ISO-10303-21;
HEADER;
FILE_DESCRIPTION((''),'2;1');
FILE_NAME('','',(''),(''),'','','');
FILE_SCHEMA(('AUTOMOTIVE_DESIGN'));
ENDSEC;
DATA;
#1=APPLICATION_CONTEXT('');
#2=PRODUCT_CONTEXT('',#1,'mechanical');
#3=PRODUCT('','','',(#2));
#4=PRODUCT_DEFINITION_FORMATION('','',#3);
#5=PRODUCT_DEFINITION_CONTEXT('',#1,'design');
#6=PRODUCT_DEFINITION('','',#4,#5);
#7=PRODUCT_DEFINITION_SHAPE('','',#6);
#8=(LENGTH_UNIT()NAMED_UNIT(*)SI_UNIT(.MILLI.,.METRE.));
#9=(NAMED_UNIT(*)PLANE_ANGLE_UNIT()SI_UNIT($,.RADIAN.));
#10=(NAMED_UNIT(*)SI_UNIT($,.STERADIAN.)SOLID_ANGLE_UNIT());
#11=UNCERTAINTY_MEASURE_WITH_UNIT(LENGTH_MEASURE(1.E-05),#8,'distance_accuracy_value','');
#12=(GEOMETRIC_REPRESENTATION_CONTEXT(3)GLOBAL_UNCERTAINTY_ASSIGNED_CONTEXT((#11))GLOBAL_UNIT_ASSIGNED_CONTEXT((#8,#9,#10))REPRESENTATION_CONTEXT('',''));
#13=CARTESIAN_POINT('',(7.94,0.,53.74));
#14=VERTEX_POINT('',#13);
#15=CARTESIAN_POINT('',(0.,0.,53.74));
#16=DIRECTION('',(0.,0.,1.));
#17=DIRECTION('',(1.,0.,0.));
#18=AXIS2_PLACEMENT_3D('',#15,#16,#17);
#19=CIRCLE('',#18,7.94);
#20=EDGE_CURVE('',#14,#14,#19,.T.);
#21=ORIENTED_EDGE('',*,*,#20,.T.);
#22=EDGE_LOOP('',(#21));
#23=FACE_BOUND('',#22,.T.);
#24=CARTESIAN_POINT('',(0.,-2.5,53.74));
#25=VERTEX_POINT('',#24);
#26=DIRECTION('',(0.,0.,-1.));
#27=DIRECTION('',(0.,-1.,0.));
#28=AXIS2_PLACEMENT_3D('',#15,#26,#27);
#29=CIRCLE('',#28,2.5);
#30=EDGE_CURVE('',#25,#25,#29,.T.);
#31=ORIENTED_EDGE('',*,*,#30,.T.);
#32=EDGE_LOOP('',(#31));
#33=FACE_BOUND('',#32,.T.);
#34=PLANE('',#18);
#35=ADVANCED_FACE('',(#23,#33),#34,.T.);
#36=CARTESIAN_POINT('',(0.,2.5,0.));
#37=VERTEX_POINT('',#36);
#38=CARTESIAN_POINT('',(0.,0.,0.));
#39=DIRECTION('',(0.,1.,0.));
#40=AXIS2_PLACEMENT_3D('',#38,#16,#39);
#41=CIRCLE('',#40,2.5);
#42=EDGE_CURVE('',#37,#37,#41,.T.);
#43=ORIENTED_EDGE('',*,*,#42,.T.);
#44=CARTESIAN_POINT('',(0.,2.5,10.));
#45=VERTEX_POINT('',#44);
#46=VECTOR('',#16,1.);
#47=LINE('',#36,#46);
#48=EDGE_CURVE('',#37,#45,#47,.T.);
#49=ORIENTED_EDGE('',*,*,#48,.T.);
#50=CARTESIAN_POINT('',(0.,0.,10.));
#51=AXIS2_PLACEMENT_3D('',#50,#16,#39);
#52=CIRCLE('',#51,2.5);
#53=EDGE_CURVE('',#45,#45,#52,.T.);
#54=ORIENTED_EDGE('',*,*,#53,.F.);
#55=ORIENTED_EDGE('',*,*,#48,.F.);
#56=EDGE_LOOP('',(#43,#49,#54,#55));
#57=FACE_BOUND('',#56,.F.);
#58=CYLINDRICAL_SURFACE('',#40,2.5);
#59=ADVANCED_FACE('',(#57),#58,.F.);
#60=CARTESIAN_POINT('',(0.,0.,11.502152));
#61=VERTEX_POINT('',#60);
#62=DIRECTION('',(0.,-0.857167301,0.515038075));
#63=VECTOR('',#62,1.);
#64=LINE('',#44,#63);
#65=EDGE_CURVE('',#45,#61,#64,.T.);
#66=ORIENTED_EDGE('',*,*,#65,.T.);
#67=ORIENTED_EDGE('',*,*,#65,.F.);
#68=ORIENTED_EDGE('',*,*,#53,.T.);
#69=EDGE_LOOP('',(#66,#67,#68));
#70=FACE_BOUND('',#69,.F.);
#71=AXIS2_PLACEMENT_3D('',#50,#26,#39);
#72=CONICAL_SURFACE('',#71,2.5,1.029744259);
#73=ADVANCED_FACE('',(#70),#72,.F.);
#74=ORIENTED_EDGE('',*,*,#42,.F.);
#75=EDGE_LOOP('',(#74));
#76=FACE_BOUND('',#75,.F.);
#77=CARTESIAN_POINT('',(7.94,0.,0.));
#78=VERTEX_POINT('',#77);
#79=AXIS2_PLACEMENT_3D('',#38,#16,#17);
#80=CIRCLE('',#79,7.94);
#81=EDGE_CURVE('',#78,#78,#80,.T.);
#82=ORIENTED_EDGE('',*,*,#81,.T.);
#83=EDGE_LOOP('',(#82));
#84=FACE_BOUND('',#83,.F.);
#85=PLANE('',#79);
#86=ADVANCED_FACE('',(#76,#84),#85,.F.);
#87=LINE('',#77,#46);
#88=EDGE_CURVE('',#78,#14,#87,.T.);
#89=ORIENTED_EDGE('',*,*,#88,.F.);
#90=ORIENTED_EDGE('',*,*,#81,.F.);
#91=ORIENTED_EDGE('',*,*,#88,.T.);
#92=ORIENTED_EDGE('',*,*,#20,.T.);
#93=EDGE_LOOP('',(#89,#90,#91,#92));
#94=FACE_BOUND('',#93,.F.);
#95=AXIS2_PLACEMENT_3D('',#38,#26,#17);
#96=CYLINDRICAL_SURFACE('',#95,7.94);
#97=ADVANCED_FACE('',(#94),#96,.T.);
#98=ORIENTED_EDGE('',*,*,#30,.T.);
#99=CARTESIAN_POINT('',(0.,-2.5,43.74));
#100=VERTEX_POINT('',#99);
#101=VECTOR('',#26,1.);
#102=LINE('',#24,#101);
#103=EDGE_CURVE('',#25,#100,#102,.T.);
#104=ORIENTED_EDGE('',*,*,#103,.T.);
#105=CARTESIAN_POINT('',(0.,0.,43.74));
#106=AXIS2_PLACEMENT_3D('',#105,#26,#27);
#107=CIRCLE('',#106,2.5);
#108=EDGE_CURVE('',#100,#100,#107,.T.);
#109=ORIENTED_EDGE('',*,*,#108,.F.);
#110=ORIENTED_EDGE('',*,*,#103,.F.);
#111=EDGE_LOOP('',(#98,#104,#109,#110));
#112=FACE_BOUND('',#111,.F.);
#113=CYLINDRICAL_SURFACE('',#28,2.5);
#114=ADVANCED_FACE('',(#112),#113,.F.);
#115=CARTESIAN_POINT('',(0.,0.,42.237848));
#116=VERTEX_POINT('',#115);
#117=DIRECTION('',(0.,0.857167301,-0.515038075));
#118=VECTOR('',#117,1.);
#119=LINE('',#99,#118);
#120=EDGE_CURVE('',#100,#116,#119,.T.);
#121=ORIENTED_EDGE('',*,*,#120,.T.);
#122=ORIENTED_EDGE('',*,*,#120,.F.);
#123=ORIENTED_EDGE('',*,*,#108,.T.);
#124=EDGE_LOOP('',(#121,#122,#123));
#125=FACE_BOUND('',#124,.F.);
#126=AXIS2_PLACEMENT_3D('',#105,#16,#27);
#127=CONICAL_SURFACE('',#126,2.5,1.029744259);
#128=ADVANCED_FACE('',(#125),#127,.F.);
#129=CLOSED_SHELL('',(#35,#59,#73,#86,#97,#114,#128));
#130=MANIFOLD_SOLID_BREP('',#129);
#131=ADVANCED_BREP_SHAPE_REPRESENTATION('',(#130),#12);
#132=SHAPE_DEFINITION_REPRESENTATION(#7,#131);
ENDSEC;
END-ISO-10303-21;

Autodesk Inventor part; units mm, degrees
ref_plane "YZ Plane" through (0, 0, 0) normal (1, 0, 0) x (0, 1, 0)
ref_plane "XZ Plane" through (0, 0, 0) normal (0, 1, 0) x (-1, 0, 0)
ref_plane "XY Plane" through (0, 0, 0) normal (0, 0, 1) x (1, 0, 0)
sketch "Boceto1" plane through (0, 0, 0) normal (0, 0, 1) x (1, 0, 0)
  circle A0 centre (0, 0) radius 7.94
  dimension "d0" = 15.88
extrude "Extrusión1" add sketch "Boceto1" along normal blind 53.74
sketch "Boceto4" plane through (0, 0, 0) normal (0, 0, -1) x (-1, 0, 0)
  circle A0 centre (0, 0) radius 1.7349
sketch "Boceto5" plane through (0, 0, 53.74) normal (0, 0, 1) x (1, 0, 0)
  circle A0 centre (0, 0) radius 2.5
  dimension "d17" = 5
hole "Agujero1" at (0, 0, 0) direction (0, 0, 1) diameter 5 depth 10 tip angle 118
hole "Agujero2" at (0, 0, 53.74) direction (0, 0, -1) diameter 5 depth 10 tip angle 118
thread "Rosca5" size "M5x0.8" class "6H" standard "ANSI Metric M Profile" length 8
thread "Rosca6" size "M5x0.8" class "6H" standard "ANSI Metric M Profile" length 8
properties part number "Barras_Soporte_superior" material "Acero inoxidable"
